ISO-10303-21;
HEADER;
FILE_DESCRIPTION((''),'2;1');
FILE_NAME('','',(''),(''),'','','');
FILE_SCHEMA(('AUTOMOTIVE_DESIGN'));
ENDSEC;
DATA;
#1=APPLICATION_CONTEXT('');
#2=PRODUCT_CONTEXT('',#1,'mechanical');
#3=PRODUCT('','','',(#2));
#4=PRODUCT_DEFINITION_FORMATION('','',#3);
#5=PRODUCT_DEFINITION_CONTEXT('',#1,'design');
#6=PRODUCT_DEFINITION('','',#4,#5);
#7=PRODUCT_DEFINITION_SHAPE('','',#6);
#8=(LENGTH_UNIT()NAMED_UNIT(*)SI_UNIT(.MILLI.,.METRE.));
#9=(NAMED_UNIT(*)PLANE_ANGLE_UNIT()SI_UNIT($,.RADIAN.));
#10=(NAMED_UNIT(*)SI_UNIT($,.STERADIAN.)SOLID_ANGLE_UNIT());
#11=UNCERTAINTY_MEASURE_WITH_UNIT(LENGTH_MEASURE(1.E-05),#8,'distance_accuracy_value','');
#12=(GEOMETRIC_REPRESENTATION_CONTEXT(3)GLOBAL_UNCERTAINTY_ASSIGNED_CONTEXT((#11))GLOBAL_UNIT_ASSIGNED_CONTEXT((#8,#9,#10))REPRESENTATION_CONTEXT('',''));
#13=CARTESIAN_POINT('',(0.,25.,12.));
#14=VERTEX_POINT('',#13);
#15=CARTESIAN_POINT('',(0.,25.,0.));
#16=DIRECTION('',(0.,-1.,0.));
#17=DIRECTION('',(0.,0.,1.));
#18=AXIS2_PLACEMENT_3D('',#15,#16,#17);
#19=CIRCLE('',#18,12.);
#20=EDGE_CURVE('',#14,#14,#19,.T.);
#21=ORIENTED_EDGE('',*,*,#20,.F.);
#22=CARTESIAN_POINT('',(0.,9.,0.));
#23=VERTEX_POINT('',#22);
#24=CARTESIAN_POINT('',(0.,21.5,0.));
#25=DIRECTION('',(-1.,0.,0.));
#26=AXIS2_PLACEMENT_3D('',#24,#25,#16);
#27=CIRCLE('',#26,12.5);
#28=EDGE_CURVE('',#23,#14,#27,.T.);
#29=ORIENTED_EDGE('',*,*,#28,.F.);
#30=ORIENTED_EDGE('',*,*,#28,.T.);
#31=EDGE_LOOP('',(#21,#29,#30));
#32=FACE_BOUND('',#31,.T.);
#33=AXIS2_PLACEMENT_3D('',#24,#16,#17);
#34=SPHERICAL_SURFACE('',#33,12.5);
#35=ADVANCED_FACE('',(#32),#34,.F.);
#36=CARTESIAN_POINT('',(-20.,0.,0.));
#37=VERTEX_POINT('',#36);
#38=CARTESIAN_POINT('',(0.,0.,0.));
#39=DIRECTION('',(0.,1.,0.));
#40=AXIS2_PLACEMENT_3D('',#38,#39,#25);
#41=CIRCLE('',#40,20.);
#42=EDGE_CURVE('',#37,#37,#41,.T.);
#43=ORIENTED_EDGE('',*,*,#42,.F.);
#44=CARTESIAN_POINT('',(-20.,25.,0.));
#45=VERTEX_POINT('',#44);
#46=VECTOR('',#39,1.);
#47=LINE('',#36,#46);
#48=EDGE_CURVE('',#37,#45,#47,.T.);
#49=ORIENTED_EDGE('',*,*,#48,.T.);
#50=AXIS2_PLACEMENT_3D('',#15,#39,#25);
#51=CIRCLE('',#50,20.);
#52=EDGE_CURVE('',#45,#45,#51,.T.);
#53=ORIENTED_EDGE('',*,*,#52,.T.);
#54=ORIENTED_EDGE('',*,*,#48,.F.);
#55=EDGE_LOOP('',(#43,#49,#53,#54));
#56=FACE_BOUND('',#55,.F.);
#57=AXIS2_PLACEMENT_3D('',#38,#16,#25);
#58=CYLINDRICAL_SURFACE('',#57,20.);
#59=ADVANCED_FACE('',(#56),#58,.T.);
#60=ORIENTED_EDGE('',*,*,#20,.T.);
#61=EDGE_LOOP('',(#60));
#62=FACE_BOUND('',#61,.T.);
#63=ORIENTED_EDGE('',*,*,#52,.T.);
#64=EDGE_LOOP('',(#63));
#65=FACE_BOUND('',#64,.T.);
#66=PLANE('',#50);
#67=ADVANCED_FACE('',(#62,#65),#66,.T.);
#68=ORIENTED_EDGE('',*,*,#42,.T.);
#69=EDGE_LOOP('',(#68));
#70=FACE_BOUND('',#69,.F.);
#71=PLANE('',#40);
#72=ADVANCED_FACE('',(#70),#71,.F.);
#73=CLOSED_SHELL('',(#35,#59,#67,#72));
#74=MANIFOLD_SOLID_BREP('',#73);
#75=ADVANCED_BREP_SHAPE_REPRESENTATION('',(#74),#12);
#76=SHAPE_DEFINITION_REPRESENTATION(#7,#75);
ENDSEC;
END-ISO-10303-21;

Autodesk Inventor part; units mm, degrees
ref_plane "YZ Plane" through (0, 0, 0) normal (1, 0, 0) x (0, 1, 0)
ref_plane "XZ Plane" through (0, 0, 0) normal (0, 1, 0) x (-1, 0, 0)
ref_plane "XY Plane" through (0, 0, 0) normal (0, 0, 1) x (1, 0, 0)
sketch "Sketch1" plane through (0, 0, 0) normal (0, 1, 0) x (-1, 0, 0)
  circle A0 centre (0, 0) radius 20
  dimension "d0" = 40
extrude "Extrusion1" add sketch "Sketch1" along normal blind 25
sketch "Sketch2" plane through (0, 0, 0) normal (1, 0, 0) x (0, 1, 0)
  line L0 (25, -20) -> (25, 20) projected
  line L1 (25, 0) -> (25, -12)
  line L2 (25, -12) -> (25, 12)
  circle A0 centre (25, 12) radius 12.5
  circle A1 centre (25, -12) radius 12.5
  circle A2 centre (21.5, 0) radius 12.5
  line L3 (39.3814, 0) -> (3.1668, 0)
  line L4 (-7.8763, 0) -> (47.2577, 0) projected
  point P0 (0, 0)
  point P1 (34, 0)
  point P2 (9, 0)
  dimension "d5" = 25
  dimension "d6" = 25
  dimension "d3" = 12
  dimension "d4" = 24
  dimension "d7" = 25
  dimension "d8" = 36.2146
  dimension "d9" = 3.1668
  dimension "d10" = 12
revolve "Revolution1" cut sketch "Sketch2" angle 360 about axis through (0, -10, 0) along (0, 1, 0) picked at (21.3864, 4.5774) picked at (25.8062, 7.8367) contours L3 A1 L0 | L0 A1 L3 | L3 A2 A0 | A0 A2 L0 A1 | A1 L0 A2 A0 | A0 A2 L3
properties part number "Test1"
